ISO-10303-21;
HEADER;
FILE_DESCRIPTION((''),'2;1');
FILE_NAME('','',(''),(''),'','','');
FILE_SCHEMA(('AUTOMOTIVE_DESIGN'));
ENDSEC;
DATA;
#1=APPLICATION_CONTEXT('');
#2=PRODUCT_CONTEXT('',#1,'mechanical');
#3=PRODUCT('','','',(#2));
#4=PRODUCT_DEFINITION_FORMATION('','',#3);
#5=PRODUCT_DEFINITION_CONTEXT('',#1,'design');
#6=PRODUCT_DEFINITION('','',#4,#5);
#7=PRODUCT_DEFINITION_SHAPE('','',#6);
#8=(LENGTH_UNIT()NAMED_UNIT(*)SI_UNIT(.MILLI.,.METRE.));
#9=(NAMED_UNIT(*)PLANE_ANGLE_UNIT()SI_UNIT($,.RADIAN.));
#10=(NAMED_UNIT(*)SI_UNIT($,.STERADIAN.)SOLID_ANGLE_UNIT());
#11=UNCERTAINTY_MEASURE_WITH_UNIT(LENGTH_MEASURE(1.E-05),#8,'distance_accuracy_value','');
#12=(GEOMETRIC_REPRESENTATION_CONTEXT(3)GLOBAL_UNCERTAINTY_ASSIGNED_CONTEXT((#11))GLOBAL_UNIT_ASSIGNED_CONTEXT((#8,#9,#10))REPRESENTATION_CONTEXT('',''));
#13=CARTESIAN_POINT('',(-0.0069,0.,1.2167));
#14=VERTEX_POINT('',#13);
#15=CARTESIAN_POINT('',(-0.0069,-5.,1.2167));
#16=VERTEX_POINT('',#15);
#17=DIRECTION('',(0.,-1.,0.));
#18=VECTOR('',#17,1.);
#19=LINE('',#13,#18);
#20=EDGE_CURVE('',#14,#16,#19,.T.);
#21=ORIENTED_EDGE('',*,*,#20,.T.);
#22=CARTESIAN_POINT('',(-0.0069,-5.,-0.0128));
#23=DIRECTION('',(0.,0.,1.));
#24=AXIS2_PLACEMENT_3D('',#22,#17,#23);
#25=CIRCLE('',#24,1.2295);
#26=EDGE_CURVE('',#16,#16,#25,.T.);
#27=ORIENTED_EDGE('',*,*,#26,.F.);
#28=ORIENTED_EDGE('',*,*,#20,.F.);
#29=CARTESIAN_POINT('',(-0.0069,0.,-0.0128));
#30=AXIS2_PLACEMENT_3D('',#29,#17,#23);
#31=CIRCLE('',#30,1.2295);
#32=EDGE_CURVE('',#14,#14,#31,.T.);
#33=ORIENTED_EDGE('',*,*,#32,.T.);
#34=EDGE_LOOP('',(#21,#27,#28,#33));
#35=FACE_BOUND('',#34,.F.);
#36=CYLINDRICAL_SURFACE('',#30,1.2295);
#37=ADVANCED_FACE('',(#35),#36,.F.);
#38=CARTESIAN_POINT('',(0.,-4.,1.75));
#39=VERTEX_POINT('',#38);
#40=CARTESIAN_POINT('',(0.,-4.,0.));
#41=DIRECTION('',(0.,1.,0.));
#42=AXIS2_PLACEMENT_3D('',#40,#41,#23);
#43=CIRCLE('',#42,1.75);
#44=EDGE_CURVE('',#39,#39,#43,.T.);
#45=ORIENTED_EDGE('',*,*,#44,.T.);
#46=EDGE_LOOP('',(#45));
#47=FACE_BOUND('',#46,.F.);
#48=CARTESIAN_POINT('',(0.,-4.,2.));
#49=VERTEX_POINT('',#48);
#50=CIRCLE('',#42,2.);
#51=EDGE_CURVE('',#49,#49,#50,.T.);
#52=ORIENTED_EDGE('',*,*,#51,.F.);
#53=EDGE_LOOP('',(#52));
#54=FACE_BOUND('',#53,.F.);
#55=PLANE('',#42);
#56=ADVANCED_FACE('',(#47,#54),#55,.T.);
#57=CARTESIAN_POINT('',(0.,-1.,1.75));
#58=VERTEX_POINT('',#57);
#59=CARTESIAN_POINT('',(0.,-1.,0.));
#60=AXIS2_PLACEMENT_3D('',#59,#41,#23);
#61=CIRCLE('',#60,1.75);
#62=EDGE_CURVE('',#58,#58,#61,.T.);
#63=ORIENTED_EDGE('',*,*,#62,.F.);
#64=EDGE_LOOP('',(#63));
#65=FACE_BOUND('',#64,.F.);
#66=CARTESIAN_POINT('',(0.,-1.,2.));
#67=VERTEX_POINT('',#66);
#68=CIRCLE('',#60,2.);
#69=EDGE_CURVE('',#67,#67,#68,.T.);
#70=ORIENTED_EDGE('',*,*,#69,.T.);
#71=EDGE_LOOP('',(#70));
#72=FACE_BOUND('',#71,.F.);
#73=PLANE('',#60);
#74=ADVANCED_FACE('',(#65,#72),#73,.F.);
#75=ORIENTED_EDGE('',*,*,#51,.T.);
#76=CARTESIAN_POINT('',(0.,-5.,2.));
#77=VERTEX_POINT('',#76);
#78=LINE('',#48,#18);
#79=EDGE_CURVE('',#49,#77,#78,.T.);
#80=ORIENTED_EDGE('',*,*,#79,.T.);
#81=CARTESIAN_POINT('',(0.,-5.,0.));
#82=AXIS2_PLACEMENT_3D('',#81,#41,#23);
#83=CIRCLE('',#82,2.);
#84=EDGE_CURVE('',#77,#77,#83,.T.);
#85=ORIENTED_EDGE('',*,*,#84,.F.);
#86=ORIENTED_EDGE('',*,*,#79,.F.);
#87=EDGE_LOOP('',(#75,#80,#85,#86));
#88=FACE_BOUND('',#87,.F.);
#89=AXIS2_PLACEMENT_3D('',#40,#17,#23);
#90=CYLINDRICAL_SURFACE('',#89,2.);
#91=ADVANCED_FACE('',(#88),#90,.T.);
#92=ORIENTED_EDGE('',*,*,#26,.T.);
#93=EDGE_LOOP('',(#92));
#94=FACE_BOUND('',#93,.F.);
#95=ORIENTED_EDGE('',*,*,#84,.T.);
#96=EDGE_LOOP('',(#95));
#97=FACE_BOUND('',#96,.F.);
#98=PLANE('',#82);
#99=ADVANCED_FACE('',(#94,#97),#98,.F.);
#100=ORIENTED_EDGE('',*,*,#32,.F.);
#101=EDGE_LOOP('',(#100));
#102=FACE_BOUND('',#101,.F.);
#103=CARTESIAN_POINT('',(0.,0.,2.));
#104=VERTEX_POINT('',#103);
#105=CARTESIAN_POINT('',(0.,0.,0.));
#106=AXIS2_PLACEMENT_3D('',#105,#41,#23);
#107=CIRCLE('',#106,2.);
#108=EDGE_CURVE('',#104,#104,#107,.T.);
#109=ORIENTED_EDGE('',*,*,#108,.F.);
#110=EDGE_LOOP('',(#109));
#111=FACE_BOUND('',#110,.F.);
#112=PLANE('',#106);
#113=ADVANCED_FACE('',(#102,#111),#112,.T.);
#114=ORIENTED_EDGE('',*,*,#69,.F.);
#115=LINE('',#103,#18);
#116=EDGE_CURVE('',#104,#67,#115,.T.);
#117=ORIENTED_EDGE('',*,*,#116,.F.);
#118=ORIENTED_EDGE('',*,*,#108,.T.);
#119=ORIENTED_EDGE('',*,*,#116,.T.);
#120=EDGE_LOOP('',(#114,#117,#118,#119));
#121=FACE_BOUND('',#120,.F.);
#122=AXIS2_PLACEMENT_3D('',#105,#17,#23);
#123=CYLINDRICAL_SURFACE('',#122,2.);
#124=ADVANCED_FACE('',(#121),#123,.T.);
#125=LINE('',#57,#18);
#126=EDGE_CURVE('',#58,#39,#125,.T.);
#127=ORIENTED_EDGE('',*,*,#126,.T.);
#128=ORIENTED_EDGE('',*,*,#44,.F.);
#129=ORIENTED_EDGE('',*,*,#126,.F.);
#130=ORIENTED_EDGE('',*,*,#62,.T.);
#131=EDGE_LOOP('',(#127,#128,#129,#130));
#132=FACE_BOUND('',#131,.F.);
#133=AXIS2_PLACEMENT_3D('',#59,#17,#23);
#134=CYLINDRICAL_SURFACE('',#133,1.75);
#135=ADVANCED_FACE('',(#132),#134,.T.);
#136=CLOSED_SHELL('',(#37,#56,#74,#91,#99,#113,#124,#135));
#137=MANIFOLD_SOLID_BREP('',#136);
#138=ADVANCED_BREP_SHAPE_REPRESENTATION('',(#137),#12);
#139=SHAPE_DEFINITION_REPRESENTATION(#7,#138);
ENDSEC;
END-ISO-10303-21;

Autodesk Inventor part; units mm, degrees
ref_plane "YZ Plane" through (0, 0, 0) normal (1, 0, 0) x (0, 1, 0)
ref_plane "XZ Plane" through (0, 0, 0) normal (0, 1, 0) x (-1, 0, 0)
ref_plane "XY Plane" through (0, 0, 0) normal (0, 0, 1) x (1, 0, 0)
sketch "Sketch1" plane through (0, 0, 0) normal (1, 0, 0) x (0, 1, 0)
  line L0 (0, 0) -> (0, 2)
  line L1 (0, 0) -> (2, 0) construction
  line L2 (0, 2) -> (-1, 2)
  line L3 (-1, 2) -> (-1, 1.75)
  line L4 (-1, 1.75) -> (-4, 1.75)
  line L5 (-4, 1.75) -> (-4, 2)
  line L6 (-4, 2) -> (-5, 2)
  line L7 (-5, 2) -> (-5, 0)
  line L8 (0, 0) -> (-5, 0)
  line L9 (-6.4, 0) -> (3.4, 0) projected
  dimension "d0" = 2
  dimension "d1" = 90
  dimension "d2" = 1
  dimension "d3" = 0.25
  dimension "d4" = 3
  dimension "d5" = 90
  dimension "d6" = 0.25
  dimension "d7" = 1
  dimension "d8" = 90
  dimension "d9" = 2
  dimension "d10" = 90
revolve "Revolution1" add sketch "Sketch1" angle 360 about axis through (0, -10, 0) along (0, 1, 0)
sketch "Sketch2" plane through (0, 0, 0) normal (0, 1, 0) x (1, 0, 0)
  point P0 (0, 0)
  point P1 (-0.0069, 0.0128)
hole "Hole1" at (-0.0069, 0, -0.0128) direction (0, -1, 0) diameter 2.459 end through all thread size "M3x0.5" class "6H" standard "ANSI Metric M Profile"
properties part number "M3_5mm_Insert"
